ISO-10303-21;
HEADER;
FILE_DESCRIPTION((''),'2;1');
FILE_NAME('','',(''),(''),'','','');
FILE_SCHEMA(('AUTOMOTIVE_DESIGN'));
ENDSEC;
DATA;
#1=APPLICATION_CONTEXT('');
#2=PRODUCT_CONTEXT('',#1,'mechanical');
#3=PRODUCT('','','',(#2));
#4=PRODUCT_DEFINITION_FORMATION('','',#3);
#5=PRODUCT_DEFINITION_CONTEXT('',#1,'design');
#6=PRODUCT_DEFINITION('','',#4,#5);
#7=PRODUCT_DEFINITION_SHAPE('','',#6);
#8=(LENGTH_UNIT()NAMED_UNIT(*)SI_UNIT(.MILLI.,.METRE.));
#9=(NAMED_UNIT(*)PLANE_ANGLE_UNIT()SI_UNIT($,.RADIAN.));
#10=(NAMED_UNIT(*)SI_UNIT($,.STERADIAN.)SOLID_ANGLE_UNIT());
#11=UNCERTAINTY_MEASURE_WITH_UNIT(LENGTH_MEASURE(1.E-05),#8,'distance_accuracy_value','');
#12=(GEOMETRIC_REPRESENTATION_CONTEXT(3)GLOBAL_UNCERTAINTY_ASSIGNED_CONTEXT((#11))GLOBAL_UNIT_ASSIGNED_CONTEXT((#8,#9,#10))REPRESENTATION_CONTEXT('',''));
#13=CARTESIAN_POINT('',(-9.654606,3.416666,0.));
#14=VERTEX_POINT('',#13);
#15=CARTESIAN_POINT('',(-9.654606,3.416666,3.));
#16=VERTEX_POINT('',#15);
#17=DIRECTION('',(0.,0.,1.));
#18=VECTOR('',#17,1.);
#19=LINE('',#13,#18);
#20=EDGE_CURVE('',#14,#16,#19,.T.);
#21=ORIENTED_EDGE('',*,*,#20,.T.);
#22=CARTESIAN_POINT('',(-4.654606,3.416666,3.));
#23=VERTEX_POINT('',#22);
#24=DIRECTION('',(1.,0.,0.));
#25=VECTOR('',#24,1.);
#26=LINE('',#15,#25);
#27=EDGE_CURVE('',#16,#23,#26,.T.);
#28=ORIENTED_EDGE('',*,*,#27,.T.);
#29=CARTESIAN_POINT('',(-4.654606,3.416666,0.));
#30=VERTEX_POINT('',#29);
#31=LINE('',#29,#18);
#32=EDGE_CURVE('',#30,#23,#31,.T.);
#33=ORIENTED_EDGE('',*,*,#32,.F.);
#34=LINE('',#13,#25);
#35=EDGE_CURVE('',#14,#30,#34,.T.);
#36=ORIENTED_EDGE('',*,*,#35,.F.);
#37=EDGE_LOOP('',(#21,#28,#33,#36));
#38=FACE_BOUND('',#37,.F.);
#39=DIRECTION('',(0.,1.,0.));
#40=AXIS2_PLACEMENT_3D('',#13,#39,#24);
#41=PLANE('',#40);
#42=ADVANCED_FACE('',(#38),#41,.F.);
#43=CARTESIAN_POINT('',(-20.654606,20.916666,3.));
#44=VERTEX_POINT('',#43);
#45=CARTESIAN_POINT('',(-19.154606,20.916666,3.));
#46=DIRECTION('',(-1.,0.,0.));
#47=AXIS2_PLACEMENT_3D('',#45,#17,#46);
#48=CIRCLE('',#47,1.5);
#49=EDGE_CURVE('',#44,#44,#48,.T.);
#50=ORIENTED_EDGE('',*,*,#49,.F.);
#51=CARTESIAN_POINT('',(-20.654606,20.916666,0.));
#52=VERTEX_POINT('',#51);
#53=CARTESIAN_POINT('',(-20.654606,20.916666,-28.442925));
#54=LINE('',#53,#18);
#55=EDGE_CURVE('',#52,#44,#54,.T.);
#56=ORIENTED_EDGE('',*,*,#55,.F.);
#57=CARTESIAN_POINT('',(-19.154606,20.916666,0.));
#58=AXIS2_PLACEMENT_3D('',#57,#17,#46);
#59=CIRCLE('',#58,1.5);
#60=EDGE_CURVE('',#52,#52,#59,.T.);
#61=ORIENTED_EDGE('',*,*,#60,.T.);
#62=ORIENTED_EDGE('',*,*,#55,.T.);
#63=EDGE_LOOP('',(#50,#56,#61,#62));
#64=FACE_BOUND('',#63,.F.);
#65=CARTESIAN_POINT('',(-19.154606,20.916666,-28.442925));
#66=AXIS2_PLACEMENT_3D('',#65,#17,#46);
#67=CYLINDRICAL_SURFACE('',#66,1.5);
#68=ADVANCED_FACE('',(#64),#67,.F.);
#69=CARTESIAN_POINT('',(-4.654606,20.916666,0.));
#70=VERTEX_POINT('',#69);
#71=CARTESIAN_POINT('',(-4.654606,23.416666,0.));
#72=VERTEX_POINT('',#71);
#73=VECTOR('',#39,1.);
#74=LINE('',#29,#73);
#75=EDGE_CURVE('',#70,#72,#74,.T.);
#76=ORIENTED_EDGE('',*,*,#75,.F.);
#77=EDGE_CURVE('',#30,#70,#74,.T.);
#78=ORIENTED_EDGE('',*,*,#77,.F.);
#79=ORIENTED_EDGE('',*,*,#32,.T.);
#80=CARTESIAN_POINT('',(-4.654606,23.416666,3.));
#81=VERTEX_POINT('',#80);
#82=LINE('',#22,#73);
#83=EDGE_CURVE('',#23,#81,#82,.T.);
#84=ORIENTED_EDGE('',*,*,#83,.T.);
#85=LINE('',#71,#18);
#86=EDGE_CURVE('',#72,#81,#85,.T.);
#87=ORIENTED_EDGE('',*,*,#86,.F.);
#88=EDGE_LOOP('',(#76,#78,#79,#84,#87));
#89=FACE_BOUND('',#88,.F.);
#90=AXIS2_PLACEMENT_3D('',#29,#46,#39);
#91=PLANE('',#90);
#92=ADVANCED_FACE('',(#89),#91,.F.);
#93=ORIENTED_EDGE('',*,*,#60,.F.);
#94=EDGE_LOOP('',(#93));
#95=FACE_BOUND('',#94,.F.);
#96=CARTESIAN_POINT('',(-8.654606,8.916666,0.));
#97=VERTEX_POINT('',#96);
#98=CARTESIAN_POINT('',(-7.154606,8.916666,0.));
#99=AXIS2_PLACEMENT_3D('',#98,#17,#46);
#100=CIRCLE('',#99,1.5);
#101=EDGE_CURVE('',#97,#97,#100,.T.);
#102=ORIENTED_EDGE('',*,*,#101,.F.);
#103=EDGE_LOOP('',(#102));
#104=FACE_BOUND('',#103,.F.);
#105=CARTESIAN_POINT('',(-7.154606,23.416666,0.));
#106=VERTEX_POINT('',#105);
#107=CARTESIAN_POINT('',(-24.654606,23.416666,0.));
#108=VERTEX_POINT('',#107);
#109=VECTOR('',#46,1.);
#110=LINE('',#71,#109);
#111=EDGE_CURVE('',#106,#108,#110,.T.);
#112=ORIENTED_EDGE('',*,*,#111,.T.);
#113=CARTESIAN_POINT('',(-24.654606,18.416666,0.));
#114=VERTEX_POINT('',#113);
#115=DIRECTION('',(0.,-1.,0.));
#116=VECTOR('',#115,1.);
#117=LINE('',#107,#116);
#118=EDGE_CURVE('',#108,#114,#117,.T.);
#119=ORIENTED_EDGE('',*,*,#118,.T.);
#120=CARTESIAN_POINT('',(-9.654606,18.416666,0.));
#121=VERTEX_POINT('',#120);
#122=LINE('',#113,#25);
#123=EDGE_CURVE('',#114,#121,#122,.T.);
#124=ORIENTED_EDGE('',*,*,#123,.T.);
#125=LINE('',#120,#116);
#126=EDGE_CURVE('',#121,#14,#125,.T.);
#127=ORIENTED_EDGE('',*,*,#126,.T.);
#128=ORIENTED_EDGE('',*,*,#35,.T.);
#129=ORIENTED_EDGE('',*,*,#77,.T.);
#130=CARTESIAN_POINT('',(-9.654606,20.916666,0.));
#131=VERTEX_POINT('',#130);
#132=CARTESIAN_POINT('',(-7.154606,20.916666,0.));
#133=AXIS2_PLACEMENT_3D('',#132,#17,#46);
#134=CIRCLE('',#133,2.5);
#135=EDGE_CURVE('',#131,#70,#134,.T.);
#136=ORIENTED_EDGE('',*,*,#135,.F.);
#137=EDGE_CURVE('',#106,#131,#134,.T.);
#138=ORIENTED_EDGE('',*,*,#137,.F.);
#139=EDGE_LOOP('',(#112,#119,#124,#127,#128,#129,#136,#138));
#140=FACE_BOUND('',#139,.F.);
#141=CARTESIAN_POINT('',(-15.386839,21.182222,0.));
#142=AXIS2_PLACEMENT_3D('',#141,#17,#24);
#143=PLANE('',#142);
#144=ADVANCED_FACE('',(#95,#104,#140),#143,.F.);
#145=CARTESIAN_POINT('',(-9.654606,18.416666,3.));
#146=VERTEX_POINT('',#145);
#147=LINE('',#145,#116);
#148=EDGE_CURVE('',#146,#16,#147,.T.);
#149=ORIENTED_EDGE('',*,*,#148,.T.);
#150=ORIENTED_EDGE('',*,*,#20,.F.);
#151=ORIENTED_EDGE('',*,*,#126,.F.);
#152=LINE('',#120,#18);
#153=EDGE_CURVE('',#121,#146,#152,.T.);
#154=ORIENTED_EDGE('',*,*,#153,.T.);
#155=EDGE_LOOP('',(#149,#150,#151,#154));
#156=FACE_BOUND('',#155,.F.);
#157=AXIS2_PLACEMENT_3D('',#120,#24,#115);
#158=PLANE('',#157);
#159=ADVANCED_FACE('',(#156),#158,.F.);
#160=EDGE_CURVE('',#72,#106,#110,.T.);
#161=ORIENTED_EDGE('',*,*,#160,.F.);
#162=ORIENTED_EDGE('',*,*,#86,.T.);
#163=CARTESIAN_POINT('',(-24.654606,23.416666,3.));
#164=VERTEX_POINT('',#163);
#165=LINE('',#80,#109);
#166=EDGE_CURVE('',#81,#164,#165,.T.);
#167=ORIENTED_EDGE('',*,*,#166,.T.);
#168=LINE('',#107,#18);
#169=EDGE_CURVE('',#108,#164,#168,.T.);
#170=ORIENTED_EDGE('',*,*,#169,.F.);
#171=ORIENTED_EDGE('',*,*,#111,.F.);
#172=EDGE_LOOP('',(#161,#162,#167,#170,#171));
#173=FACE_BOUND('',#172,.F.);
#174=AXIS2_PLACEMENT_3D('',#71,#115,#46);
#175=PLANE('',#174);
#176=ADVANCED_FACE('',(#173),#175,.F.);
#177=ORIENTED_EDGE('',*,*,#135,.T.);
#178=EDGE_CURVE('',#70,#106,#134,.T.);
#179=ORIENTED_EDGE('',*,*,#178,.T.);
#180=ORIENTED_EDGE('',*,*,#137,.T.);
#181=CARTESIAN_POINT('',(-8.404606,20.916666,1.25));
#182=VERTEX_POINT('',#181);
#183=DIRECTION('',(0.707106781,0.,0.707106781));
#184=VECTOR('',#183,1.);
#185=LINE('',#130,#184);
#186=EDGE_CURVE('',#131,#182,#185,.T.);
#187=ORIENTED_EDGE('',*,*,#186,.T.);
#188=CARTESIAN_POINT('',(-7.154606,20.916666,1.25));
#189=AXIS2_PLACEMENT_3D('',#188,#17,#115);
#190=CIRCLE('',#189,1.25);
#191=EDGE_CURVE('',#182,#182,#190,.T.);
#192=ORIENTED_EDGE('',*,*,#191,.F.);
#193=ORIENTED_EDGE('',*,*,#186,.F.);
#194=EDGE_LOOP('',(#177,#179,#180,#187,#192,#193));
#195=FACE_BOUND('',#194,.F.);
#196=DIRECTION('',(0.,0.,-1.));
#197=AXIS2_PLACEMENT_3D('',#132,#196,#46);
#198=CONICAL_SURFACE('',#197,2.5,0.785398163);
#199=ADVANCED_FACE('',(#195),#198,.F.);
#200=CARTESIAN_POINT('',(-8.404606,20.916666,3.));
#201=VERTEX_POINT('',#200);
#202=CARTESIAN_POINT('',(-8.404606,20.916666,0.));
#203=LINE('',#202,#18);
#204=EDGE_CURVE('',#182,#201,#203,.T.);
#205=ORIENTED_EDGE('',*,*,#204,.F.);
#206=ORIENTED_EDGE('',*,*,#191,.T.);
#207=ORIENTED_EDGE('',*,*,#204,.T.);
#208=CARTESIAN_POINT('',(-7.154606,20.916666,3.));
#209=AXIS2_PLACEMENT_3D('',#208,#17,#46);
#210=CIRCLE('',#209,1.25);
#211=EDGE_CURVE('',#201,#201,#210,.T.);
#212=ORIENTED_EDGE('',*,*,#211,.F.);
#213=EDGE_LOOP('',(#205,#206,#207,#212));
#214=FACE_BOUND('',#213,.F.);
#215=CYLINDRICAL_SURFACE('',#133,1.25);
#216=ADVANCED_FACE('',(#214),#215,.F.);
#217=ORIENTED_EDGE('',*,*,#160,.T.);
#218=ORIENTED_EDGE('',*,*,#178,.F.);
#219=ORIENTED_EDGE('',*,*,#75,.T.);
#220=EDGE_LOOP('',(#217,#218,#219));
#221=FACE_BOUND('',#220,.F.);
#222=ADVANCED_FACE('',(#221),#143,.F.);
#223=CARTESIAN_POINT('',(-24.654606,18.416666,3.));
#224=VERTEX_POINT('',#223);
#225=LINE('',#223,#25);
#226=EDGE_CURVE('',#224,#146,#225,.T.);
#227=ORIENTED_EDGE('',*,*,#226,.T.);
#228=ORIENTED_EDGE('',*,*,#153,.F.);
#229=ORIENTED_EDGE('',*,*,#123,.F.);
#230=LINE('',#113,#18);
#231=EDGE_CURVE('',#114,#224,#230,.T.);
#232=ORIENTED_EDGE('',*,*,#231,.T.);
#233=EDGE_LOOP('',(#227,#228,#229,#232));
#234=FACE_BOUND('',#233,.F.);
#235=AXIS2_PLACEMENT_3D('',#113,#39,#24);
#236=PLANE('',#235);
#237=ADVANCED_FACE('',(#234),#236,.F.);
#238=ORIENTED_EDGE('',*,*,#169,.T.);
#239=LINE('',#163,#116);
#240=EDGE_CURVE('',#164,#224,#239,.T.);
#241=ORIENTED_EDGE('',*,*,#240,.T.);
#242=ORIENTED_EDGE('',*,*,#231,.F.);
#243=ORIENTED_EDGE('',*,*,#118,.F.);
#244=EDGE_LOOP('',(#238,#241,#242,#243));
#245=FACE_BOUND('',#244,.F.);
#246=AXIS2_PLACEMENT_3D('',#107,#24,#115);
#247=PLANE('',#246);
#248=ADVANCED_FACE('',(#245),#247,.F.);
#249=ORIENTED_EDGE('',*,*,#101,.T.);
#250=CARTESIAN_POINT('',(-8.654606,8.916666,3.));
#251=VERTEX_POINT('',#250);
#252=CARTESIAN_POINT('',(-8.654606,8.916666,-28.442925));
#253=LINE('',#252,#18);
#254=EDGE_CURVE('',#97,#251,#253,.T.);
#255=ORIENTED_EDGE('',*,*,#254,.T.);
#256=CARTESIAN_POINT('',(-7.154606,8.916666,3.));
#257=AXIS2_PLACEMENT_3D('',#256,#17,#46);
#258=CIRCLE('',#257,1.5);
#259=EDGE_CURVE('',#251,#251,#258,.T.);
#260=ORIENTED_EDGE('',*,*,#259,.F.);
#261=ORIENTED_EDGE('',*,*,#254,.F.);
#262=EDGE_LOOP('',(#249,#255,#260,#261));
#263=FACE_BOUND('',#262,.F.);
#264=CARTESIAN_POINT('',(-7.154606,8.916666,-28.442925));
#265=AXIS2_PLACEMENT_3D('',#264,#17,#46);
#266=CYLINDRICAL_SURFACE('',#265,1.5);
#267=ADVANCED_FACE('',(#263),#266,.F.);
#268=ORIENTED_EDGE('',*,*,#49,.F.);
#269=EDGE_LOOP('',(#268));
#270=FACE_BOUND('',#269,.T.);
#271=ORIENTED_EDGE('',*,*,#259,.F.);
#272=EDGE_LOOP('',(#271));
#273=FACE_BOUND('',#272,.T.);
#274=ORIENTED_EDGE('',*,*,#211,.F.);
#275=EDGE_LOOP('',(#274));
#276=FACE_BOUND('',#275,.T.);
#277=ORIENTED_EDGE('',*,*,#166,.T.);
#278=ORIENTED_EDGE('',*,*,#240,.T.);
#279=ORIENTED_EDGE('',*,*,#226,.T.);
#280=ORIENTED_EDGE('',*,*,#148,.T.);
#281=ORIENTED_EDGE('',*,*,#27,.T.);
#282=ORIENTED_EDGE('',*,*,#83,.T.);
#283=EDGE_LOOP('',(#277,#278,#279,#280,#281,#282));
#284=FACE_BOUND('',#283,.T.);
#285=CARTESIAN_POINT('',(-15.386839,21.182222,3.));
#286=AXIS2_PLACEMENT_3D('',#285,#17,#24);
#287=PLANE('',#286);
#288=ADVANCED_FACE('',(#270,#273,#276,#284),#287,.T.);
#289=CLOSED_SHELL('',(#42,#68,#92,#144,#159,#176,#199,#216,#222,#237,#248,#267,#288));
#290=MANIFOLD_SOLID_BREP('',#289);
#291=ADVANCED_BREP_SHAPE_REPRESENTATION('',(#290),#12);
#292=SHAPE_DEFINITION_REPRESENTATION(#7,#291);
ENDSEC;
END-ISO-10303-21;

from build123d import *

# Parameters (mm, degrees)
F1_DEPTH       = 3
F2_D           = 3
F3_D           = 2.5
F3_CSINK_D     = 5
F3_CSINK_ANGLE = 90


with BuildPart() as f1:
    # F0 (on Top) → F1 (new body)
    with BuildSketch(Plane.XY):
        Polygon((-4.6546061151, 23.416666063), (-24.6546061151, 23.416666063), (-24.6546061151, 18.416666063), (-9.6546061151, 18.416666063), align=None)
        Polygon((-4.6546061151, 3.416666063), (-4.6546061151, 23.416666063), (-9.6546061151, 18.416666063), (-9.6546061151, 3.416666063), align=None)
    extrude(amount=F1_DEPTH)

    # F2 (through all)
    with Locations(Plane(origin=(0, 0, 0), x_dir=(1, 0, 0), z_dir=(0, 0, -1))):
        with Locations((-7.1546061151, -8.916666063), (-19.1546061151, -20.916666063)):
            Hole(F2_D / 2)

    # F3 (through all)
    with Locations(Plane(origin=(0, 0, 0), x_dir=(1, 0, 0), z_dir=(0, 0, -1))):
        with Locations((-7.1546061151, -20.916666063)):
            CounterSinkHole(F3_D / 2, F3_CSINK_D / 2, counter_sink_angle=F3_CSINK_ANGLE)


solid = f1.part
